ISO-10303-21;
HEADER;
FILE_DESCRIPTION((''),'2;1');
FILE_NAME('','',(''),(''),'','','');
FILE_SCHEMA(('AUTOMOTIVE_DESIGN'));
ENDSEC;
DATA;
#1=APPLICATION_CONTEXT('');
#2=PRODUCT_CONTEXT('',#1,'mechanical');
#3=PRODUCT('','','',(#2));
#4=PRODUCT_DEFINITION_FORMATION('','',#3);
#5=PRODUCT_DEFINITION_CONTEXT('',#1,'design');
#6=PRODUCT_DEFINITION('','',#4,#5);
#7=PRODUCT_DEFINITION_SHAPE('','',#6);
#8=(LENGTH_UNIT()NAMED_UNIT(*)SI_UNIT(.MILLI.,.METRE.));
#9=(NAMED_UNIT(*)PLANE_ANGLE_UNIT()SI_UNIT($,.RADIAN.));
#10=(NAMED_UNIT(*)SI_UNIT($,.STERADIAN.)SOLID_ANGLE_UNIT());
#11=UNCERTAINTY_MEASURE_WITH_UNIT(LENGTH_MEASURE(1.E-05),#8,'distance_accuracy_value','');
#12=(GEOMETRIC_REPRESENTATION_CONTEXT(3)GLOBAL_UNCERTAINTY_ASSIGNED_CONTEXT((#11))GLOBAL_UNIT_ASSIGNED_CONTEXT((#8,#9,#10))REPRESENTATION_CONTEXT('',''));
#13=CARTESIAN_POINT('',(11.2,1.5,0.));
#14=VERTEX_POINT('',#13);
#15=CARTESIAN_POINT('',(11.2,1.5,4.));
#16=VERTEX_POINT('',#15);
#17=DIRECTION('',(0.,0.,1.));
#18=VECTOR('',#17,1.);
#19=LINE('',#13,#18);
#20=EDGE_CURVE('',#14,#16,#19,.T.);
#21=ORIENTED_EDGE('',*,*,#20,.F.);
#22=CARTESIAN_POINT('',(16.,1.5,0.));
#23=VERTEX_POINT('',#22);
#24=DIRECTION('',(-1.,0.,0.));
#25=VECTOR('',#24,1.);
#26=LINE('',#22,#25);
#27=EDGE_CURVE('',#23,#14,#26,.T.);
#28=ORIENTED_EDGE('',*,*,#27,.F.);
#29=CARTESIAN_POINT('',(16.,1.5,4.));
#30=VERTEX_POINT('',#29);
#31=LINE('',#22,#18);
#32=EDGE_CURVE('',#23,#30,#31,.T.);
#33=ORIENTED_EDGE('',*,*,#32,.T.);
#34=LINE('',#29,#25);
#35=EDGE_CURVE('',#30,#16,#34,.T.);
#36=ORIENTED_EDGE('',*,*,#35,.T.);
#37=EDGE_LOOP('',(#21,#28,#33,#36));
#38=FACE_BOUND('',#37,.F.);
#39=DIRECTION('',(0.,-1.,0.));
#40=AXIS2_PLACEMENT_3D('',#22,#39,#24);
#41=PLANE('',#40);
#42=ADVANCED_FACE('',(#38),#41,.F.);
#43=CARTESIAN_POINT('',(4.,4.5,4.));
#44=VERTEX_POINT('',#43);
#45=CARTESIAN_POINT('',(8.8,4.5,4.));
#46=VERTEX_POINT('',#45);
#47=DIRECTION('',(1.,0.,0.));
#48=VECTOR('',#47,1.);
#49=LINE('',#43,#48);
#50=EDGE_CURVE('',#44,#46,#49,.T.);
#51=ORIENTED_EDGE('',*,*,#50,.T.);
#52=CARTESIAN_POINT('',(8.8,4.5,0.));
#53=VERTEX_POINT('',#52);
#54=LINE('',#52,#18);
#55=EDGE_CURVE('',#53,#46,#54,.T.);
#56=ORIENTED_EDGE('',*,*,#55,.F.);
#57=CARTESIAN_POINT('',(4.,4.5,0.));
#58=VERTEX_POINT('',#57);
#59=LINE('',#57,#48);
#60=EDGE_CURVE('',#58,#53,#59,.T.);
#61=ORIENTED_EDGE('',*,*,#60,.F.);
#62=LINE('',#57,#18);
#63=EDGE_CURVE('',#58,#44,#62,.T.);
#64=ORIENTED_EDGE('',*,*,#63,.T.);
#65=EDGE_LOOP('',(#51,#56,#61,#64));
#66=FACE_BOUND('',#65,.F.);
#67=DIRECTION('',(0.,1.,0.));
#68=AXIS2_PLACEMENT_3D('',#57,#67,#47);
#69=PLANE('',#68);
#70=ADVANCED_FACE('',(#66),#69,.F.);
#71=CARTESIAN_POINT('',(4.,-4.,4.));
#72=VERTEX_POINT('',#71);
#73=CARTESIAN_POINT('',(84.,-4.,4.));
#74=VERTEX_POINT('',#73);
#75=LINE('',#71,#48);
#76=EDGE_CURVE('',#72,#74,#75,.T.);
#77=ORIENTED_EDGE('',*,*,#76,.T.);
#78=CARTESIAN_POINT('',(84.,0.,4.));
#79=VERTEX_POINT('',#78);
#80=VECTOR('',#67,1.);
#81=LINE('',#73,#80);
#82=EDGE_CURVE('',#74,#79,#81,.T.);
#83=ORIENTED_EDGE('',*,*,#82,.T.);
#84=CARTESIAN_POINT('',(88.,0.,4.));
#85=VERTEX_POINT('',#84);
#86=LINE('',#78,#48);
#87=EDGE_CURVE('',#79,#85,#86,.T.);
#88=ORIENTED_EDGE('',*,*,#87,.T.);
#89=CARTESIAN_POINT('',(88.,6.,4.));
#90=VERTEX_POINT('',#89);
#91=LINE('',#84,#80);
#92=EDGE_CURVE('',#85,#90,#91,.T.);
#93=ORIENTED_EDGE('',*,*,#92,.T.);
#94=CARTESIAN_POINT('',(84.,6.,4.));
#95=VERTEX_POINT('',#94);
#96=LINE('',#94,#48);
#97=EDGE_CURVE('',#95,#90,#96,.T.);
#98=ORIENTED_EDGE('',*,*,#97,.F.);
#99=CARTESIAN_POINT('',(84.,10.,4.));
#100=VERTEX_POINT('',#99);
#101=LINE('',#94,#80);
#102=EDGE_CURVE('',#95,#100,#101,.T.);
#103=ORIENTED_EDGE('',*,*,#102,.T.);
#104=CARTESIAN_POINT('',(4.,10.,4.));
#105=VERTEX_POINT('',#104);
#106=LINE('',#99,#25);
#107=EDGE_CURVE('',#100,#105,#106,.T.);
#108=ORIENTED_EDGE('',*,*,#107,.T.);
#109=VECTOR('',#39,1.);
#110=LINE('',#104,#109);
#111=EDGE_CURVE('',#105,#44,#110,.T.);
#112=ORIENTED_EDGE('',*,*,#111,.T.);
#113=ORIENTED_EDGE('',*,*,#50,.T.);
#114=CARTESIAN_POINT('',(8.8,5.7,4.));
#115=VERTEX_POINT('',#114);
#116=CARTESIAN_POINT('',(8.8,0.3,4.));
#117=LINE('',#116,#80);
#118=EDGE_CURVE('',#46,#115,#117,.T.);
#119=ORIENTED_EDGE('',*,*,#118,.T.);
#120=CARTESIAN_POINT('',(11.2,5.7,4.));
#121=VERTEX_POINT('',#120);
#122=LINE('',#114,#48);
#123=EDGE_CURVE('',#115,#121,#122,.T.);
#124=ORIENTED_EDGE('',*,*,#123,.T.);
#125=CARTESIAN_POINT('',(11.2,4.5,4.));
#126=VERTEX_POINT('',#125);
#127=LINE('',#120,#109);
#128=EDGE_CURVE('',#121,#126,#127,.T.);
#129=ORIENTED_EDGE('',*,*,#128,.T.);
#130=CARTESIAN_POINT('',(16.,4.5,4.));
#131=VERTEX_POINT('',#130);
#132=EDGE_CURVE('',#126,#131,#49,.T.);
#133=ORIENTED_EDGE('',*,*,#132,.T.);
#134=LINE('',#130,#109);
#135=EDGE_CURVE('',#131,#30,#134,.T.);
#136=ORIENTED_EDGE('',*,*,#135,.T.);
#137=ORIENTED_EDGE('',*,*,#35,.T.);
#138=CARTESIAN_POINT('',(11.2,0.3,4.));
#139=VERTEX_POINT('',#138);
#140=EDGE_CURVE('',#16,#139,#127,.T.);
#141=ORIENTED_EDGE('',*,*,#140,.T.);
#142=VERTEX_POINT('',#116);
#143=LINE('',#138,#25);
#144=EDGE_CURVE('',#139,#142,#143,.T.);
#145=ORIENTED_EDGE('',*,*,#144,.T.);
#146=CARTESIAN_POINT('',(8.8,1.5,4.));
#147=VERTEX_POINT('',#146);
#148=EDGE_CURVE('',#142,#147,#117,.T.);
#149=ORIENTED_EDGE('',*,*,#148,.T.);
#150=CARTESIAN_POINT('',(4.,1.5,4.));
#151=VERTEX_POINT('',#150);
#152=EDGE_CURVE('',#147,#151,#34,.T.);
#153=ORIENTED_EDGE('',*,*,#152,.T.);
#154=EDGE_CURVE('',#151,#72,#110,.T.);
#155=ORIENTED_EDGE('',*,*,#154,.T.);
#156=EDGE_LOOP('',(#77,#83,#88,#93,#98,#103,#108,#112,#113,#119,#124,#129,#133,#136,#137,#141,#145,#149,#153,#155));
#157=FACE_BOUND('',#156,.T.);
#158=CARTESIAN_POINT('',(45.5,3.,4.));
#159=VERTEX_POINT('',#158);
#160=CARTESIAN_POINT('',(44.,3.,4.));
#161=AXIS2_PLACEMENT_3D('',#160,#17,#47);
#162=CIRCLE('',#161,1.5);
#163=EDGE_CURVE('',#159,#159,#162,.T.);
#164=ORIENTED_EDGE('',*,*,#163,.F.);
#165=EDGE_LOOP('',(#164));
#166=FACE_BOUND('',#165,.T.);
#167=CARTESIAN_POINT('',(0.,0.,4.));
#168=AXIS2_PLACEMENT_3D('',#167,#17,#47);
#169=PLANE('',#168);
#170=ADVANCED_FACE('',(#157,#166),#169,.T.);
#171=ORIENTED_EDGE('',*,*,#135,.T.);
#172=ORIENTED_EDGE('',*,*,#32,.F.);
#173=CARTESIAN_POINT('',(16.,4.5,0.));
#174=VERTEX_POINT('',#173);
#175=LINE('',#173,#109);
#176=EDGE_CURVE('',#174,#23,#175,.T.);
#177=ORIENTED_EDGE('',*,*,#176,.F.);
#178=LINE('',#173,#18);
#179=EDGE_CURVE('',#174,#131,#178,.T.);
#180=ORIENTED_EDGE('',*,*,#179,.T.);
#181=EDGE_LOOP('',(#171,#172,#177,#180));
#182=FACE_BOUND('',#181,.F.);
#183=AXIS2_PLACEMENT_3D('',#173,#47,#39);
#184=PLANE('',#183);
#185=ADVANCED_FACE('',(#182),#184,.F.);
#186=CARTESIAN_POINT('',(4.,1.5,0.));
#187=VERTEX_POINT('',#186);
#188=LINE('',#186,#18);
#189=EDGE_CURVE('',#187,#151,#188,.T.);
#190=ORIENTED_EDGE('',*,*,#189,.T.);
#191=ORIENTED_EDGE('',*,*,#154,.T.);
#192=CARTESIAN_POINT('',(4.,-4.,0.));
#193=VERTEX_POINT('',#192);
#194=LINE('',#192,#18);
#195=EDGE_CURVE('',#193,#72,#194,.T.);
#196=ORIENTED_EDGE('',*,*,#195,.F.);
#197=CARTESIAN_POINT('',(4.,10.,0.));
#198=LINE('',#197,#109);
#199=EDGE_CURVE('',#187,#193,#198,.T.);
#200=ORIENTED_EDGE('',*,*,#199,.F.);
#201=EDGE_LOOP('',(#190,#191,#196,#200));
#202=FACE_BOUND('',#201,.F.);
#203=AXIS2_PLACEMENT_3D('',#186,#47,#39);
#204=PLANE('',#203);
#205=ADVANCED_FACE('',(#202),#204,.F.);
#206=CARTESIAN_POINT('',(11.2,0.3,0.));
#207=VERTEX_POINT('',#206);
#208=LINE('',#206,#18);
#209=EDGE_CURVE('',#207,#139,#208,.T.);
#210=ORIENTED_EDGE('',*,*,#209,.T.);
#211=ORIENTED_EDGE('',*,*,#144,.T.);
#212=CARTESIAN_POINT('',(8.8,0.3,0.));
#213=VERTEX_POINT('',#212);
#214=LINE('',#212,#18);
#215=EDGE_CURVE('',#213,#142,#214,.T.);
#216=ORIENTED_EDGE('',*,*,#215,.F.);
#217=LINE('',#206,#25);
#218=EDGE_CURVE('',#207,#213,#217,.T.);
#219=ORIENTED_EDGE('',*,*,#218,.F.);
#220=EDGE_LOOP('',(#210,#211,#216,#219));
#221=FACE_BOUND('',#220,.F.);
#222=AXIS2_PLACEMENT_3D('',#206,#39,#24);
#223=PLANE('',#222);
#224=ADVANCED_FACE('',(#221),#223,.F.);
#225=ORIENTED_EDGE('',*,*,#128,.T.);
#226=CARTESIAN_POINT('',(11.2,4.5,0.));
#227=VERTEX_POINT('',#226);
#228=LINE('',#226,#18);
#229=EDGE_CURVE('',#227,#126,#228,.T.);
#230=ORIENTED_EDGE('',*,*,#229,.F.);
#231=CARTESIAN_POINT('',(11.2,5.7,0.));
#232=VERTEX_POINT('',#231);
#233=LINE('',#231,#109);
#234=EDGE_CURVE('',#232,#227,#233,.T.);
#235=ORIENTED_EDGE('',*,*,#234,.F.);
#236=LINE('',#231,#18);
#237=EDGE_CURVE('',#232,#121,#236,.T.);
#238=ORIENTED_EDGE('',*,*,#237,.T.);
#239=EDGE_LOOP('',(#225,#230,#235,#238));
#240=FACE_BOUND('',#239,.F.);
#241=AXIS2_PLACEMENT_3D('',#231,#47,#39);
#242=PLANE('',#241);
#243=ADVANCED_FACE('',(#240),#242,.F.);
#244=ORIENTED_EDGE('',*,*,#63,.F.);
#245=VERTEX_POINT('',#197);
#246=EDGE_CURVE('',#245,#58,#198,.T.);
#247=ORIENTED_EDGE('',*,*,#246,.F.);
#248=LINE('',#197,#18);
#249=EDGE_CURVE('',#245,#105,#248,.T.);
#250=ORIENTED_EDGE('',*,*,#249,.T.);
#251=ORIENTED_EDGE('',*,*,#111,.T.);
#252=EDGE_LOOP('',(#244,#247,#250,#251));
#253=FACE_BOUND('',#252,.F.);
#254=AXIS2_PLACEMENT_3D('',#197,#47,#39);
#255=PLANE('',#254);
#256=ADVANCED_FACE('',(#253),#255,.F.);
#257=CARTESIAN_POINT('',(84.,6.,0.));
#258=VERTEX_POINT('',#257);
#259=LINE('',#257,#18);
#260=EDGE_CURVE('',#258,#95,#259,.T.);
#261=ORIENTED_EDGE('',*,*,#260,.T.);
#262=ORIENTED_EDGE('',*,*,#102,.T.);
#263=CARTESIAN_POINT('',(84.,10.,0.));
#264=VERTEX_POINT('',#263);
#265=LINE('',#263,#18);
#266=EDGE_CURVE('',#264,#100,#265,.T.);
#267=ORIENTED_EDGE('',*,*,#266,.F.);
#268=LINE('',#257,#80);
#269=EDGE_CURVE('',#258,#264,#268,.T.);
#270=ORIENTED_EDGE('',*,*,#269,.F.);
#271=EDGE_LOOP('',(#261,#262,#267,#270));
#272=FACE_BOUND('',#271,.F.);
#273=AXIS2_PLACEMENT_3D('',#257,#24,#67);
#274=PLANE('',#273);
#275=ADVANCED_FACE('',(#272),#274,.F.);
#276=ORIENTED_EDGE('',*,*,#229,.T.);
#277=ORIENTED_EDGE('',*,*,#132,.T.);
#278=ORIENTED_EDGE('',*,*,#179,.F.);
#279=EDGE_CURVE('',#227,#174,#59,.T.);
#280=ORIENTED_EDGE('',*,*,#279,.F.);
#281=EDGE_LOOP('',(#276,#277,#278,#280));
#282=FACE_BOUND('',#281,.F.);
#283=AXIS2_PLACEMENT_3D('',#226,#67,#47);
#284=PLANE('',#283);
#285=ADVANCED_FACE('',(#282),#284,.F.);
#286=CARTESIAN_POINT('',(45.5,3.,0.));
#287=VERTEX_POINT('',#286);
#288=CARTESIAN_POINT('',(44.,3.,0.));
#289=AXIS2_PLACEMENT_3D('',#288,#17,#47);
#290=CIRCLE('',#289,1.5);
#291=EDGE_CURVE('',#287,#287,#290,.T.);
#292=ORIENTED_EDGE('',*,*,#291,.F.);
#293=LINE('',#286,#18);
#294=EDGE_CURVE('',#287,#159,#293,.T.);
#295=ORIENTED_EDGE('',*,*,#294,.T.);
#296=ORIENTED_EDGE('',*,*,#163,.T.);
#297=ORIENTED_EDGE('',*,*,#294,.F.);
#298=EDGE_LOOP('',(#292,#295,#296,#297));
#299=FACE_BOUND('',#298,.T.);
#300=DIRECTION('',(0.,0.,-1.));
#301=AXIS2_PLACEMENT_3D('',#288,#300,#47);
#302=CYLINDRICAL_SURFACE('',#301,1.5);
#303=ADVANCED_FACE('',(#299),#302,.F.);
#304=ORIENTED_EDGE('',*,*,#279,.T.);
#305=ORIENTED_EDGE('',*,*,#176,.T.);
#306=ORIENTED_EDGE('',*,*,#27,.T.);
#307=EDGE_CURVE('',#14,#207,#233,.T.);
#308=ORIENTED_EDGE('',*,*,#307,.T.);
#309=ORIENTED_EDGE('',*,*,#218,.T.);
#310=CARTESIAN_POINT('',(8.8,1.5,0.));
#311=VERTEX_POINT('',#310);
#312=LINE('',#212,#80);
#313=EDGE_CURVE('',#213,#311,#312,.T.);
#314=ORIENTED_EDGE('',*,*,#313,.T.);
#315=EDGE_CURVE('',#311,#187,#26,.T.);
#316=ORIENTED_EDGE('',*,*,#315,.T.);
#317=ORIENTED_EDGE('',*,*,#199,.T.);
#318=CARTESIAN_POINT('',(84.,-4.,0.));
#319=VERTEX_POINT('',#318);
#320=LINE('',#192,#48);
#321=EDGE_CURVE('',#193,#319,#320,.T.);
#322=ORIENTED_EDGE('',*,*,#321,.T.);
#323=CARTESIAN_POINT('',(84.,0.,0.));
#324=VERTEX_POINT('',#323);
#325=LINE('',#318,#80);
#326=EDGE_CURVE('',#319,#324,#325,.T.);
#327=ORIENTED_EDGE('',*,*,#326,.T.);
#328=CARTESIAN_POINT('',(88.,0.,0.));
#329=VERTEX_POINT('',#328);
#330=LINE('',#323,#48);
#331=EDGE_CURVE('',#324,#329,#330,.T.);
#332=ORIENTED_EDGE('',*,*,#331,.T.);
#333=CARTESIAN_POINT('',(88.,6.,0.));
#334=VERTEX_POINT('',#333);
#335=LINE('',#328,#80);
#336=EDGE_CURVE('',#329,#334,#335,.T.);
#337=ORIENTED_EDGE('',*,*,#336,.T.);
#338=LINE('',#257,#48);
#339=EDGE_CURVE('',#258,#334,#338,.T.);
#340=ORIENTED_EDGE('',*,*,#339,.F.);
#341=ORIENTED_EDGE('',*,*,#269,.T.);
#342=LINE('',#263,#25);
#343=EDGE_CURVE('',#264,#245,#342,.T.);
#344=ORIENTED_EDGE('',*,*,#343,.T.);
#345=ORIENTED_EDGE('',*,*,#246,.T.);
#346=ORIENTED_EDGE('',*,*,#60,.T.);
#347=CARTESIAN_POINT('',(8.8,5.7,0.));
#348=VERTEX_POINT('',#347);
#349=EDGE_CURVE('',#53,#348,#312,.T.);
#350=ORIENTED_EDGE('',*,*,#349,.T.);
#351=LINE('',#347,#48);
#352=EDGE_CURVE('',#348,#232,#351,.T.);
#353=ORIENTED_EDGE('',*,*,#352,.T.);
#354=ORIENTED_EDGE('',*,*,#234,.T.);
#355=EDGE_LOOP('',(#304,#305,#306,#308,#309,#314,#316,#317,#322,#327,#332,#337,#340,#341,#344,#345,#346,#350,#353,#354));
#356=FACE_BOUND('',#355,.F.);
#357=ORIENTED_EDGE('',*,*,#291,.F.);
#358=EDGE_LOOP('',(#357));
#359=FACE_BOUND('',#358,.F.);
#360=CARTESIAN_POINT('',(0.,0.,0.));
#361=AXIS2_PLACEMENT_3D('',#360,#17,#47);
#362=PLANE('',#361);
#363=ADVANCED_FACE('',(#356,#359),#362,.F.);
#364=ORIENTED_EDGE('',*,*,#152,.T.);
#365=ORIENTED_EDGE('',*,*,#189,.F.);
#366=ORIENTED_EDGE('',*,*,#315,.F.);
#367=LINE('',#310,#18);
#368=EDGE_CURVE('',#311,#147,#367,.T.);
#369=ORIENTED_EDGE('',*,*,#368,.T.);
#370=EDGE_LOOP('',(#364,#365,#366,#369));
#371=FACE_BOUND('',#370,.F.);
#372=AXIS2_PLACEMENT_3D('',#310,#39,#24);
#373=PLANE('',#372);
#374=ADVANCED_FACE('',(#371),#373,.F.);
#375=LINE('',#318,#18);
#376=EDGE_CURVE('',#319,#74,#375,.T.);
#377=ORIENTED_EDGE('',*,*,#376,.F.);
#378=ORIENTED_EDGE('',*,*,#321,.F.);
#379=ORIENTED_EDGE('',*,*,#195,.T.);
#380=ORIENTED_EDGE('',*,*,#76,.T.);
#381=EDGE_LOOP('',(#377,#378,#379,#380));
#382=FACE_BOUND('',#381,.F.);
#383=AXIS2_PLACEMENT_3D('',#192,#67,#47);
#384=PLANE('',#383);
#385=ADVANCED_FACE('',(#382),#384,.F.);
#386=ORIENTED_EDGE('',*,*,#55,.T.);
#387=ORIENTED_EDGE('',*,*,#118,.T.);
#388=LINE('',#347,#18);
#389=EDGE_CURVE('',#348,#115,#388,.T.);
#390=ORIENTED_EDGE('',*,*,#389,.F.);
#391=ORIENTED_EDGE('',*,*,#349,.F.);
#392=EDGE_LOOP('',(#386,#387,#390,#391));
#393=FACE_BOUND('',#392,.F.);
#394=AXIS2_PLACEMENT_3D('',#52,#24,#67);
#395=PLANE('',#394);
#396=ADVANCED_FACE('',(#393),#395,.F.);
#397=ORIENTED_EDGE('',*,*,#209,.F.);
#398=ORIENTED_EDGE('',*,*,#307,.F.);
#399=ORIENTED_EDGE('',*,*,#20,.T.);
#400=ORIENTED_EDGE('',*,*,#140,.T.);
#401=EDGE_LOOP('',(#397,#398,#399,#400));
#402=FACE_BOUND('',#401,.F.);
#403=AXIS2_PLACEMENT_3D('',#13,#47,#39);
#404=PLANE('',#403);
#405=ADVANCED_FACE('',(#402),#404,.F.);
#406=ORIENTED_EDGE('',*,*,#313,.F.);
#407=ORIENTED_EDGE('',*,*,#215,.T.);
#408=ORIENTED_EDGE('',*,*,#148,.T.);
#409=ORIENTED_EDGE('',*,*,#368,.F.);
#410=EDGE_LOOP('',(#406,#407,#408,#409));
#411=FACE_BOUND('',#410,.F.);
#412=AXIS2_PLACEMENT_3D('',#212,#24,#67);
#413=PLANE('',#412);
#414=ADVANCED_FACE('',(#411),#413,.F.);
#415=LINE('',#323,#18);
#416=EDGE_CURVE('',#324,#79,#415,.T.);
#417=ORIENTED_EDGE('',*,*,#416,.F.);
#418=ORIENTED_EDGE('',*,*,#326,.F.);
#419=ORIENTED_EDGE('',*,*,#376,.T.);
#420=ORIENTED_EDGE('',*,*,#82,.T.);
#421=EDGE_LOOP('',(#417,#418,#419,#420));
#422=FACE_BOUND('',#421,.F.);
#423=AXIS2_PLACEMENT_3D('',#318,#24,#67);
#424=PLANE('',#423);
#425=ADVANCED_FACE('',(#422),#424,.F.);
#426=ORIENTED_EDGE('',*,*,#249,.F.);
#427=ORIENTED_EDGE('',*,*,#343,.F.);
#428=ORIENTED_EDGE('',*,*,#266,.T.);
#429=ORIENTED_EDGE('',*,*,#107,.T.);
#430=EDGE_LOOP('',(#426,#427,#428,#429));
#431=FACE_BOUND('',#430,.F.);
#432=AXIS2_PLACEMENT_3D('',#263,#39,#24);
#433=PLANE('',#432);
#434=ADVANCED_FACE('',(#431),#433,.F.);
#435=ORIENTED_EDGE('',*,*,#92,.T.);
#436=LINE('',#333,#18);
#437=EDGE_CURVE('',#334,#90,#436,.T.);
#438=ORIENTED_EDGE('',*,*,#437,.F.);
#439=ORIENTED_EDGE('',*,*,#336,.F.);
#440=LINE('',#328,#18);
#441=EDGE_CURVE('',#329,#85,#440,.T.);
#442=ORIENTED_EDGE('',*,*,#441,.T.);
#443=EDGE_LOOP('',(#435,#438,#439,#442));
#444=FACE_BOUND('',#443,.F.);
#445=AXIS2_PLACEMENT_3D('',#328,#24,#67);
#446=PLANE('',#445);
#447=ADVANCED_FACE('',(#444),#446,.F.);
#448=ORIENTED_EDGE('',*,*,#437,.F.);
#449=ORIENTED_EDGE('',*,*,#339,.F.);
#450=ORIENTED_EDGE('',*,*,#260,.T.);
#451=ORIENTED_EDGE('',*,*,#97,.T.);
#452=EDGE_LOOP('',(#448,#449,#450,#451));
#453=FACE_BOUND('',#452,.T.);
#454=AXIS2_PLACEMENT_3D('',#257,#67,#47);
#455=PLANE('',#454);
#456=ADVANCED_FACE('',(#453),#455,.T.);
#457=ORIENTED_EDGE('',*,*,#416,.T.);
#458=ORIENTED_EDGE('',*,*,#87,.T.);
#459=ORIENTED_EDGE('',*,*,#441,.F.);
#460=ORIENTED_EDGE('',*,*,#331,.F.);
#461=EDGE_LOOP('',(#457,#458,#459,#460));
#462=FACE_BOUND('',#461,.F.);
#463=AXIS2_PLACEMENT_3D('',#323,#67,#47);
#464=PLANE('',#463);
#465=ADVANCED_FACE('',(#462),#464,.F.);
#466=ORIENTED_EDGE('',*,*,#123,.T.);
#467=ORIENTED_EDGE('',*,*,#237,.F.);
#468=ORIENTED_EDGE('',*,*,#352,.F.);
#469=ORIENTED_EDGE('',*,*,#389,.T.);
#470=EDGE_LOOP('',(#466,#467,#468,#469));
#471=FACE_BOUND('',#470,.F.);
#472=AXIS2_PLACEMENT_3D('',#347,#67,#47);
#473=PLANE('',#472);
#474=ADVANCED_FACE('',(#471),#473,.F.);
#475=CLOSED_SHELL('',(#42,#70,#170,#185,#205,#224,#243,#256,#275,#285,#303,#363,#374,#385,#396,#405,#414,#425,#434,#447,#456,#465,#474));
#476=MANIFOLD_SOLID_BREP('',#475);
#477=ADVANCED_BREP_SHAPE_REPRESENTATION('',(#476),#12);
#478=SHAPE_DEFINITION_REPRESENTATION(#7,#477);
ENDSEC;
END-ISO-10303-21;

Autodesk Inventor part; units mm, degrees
ref_plane "YZ Plane" through (0, 0, 0) normal (1, 0, 0) x (0, 1, 0)
ref_plane "XZ Plane" through (0, 0, 0) normal (0, 1, 0) x (-1, 0, 0)
ref_plane "XY Plane" through (0, 0, 0) normal (0, 0, 1) x (1, 0, 0)
sketch "Sketch1" plane through (0, 0, 0) normal (0, 0, 1) x (1, 0, 0)
  line L0 (88, 0) -> (88, 6) projected
  line L1 (84, 0) -> (88, 0) projected
  line L2 (84, 6) -> (84, 0) construction
  line L3 (84, 6) -> (88, 6) projected
  line L4 (4, -4) -> (84, -4)
  line L5 (84, -4) -> (84, 0)
  line L6 (84, 10) -> (4, 10)
  line L7 (84, 0) -> (84, 6) construction
  line L8 (84, 6) -> (84, 10)
  line L9 (4, 10) -> (4, -4)
  line L10 (4, 109.6455) -> (4, -35.8545) construction
  line L11 (4, 4.5) -> (16, 4.5)
  line L12 (16, 4.5) -> (16, 1.5)
  line L13 (16, 1.5) -> (4, 1.5)
  line L14 (4, 1.5) -> (4, 4.5)
  line L15 (8.8, 5.7) -> (11.2, 5.7)
  line L16 (11.2, 5.7) -> (11.2, 0.3)
  line L17 (11.2, 0.3) -> (8.8, 0.3)
  line L18 (8.8, 0.3) -> (8.8, 5.7)
  circle A0 centre (44, 3) radius 1.5
  line L19 (4, 10) -> (84, -4) construction
  point P0 (10, 5.7)
  point P1 (10, 4.5)
  point P2 (11.2, 3)
  point P3 (16, 3)
  point P4 (4, 3)
  point P5 (88, 3)
  point P6 (8.8, 4.5)
  point P7 (11.2, 4.5)
  point P8 (11.2, 1.5)
  point P9 (8.8, 1.5)
  dimension "d4" = 4
  dimension "d5" = 4
  dimension "d6" = 12
  dimension "d7" = 3
  dimension "d8" = 2.4
  dimension "d9" = 5.4
  dimension "d10" = 3
extrude "Extrusion1" add sketch "Sketch1" along normal blind 4 contours L1 L5 L4 L9 L13 L18 L17 L16 L12 L11 L15 L6 L8 L3 L0
properties part number "Magnet_Holder" material "MDF Medium Density Fiberboard"
